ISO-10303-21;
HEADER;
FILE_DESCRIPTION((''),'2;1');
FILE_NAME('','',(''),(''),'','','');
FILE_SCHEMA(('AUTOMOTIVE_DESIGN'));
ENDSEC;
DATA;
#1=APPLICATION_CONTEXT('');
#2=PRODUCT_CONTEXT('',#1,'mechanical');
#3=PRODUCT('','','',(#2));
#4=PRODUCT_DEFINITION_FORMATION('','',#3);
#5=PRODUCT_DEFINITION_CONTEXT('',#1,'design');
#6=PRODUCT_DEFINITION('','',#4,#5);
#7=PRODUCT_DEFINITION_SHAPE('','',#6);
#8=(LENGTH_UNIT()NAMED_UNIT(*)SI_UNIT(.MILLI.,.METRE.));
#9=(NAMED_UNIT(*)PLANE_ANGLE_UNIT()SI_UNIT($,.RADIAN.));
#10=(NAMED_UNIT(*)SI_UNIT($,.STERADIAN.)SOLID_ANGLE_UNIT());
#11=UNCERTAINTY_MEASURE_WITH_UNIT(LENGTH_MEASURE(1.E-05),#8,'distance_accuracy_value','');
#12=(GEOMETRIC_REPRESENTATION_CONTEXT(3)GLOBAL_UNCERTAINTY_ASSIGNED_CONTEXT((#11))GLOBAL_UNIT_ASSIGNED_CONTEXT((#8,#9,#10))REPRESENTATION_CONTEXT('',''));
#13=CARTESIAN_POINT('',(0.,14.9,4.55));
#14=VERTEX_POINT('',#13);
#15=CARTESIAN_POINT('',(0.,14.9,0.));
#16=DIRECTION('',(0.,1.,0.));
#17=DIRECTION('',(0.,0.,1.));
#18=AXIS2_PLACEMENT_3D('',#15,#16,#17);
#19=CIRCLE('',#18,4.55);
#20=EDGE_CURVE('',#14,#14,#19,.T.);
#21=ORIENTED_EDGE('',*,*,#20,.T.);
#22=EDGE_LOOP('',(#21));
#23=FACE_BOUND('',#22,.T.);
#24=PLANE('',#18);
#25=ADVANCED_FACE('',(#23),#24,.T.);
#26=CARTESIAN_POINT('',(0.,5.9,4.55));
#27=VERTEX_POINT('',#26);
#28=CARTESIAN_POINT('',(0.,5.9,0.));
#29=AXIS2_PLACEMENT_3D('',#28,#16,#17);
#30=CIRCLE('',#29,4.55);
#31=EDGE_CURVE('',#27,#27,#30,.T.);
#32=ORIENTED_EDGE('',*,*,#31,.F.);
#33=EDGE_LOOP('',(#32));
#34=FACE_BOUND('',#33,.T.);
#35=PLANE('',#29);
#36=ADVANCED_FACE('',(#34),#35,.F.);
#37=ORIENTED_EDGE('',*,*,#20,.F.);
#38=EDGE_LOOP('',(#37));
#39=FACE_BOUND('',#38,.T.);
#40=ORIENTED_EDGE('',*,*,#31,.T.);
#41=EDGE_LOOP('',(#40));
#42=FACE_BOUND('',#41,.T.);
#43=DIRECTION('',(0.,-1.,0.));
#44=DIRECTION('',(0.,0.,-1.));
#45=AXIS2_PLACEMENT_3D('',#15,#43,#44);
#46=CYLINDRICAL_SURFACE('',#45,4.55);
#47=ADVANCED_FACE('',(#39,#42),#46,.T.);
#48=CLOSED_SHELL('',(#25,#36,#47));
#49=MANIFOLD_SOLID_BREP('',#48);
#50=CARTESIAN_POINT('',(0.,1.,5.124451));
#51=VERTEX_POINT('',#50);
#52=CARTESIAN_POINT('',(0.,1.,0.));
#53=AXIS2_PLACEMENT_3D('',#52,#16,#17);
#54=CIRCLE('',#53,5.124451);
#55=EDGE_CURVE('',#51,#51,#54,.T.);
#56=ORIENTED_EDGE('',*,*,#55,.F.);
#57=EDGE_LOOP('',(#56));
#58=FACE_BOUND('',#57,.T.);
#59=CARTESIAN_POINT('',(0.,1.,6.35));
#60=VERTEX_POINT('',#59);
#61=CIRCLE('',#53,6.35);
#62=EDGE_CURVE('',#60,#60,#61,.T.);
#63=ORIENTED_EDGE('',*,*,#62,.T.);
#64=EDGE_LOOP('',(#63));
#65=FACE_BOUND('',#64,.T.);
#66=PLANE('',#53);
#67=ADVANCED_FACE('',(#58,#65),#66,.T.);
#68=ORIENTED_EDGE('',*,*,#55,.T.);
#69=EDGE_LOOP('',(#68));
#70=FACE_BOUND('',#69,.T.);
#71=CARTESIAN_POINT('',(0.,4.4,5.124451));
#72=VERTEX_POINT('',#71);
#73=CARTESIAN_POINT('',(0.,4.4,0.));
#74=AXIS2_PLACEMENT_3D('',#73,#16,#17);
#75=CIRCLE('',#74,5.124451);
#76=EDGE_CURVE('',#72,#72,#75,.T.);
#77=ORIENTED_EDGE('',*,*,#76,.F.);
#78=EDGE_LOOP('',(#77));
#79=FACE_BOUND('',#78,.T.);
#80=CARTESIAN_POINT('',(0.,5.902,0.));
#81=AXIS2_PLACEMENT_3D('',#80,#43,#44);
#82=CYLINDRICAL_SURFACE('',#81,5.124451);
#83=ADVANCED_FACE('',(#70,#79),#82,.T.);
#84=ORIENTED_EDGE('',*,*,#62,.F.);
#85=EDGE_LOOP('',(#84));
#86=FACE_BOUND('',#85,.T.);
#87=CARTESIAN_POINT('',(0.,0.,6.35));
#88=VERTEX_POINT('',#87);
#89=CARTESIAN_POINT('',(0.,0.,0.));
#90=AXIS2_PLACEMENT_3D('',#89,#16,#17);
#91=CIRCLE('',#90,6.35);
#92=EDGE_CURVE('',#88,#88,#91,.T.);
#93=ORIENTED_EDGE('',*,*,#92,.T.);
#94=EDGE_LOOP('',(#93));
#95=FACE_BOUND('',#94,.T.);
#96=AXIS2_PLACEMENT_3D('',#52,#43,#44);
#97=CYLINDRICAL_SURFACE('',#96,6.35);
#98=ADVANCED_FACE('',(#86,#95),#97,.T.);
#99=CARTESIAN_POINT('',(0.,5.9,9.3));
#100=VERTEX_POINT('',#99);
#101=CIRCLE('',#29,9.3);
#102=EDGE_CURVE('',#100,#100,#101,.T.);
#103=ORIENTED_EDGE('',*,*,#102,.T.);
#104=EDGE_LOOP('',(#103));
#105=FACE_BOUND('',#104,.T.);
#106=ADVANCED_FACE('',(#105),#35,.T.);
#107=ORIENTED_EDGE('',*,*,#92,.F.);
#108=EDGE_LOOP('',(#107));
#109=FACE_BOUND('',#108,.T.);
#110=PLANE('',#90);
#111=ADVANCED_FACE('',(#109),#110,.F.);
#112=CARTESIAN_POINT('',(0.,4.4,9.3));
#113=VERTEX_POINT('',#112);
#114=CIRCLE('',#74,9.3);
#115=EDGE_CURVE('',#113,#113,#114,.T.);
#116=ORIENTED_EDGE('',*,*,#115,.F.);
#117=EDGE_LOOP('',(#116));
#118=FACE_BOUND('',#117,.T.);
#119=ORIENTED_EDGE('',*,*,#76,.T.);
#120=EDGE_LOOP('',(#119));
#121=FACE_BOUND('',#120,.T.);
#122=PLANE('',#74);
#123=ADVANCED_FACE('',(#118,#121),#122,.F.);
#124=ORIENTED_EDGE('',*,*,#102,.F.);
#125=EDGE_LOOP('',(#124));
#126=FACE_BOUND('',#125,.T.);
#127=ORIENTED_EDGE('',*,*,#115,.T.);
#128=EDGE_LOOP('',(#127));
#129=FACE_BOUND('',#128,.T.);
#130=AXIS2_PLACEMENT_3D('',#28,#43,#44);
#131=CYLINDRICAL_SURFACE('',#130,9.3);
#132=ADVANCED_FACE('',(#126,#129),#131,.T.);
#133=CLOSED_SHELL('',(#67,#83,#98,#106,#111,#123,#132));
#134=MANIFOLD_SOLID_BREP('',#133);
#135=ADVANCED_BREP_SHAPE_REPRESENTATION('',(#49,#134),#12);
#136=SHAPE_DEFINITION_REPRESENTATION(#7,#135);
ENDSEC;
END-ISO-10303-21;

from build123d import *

# Parameters (mm, degrees)
SKETCH1_R           = 6.35
BOSS_EXTRUDE1_DEPTH = 1
SKETCH3_R           = 9.3
BOSS_EXTRUDE3_DEPTH = 1.5
SKETCH5_R           = 4.55
BOSS_EXTRUDE4_DEPTH = 9
BOSS_EXTRUDE5_REACH = 21.136
SKETCH2_R           = 5.12445119


with BuildPart() as part:
    # Sketch1 → Boss-Extrude1 (new body)
    with BuildSketch(Plane(origin=(0, 0, 0), x_dir=(1, 0, 0), z_dir=(0, 1, 0))):
        with Locations(Location((0, 0, 0), (0, 0, 270))):
            Circle(SKETCH1_R)
    extrude(amount=BOSS_EXTRUDE1_DEPTH)


with BuildPart() as body_2:
    # Sketch3 → Boss-Extrude3 (new body)
    with BuildSketch(Plane(origin=(0, 4.4, 0), x_dir=(1, 0, 0), z_dir=(0, 1, 0))):
        with Locations(Location((0, 0, 0), (0, 0, 270))):
            Circle(SKETCH3_R)
    extrude(amount=BOSS_EXTRUDE3_DEPTH)

    # Sketch2 → Boss-Extrude5 (add, up to next)
    with BuildSketch(Plane(origin=(0, 1, 0), x_dir=(1, 0, 0), z_dir=(0, 1, 0)), mode=Mode.PRIVATE) as boss_extrude5_sk1:
        with Locations(Location((0, 0, 0), (0, 0, 270))):
            Circle(SKETCH2_R)
    boss_extrude5_tool1 = extrude(boss_extrude5_sk1.sketch, amount=BOSS_EXTRUDE5_REACH, mode=Mode.PRIVATE) - body_2.part

    add(part.part)  # Boss-Extrude5 merges part
    add(boss_extrude5_tool1.solids().sort_by_distance((0, 1, 0))[0])


with BuildPart() as body_3:
    # Sketch5 → Boss-Extrude4 (new body)
    with BuildSketch(Plane(origin=(0, 5.9, 0), x_dir=(1, 0, 0), z_dir=(0, 1, 0))):
        with Locations(Location((0, 0, 0), (0, 0, 270))):
            Circle(SKETCH5_R)
    extrude(amount=BOSS_EXTRUDE4_DEPTH)


solid = Compound([body_2.part, body_3.part])
